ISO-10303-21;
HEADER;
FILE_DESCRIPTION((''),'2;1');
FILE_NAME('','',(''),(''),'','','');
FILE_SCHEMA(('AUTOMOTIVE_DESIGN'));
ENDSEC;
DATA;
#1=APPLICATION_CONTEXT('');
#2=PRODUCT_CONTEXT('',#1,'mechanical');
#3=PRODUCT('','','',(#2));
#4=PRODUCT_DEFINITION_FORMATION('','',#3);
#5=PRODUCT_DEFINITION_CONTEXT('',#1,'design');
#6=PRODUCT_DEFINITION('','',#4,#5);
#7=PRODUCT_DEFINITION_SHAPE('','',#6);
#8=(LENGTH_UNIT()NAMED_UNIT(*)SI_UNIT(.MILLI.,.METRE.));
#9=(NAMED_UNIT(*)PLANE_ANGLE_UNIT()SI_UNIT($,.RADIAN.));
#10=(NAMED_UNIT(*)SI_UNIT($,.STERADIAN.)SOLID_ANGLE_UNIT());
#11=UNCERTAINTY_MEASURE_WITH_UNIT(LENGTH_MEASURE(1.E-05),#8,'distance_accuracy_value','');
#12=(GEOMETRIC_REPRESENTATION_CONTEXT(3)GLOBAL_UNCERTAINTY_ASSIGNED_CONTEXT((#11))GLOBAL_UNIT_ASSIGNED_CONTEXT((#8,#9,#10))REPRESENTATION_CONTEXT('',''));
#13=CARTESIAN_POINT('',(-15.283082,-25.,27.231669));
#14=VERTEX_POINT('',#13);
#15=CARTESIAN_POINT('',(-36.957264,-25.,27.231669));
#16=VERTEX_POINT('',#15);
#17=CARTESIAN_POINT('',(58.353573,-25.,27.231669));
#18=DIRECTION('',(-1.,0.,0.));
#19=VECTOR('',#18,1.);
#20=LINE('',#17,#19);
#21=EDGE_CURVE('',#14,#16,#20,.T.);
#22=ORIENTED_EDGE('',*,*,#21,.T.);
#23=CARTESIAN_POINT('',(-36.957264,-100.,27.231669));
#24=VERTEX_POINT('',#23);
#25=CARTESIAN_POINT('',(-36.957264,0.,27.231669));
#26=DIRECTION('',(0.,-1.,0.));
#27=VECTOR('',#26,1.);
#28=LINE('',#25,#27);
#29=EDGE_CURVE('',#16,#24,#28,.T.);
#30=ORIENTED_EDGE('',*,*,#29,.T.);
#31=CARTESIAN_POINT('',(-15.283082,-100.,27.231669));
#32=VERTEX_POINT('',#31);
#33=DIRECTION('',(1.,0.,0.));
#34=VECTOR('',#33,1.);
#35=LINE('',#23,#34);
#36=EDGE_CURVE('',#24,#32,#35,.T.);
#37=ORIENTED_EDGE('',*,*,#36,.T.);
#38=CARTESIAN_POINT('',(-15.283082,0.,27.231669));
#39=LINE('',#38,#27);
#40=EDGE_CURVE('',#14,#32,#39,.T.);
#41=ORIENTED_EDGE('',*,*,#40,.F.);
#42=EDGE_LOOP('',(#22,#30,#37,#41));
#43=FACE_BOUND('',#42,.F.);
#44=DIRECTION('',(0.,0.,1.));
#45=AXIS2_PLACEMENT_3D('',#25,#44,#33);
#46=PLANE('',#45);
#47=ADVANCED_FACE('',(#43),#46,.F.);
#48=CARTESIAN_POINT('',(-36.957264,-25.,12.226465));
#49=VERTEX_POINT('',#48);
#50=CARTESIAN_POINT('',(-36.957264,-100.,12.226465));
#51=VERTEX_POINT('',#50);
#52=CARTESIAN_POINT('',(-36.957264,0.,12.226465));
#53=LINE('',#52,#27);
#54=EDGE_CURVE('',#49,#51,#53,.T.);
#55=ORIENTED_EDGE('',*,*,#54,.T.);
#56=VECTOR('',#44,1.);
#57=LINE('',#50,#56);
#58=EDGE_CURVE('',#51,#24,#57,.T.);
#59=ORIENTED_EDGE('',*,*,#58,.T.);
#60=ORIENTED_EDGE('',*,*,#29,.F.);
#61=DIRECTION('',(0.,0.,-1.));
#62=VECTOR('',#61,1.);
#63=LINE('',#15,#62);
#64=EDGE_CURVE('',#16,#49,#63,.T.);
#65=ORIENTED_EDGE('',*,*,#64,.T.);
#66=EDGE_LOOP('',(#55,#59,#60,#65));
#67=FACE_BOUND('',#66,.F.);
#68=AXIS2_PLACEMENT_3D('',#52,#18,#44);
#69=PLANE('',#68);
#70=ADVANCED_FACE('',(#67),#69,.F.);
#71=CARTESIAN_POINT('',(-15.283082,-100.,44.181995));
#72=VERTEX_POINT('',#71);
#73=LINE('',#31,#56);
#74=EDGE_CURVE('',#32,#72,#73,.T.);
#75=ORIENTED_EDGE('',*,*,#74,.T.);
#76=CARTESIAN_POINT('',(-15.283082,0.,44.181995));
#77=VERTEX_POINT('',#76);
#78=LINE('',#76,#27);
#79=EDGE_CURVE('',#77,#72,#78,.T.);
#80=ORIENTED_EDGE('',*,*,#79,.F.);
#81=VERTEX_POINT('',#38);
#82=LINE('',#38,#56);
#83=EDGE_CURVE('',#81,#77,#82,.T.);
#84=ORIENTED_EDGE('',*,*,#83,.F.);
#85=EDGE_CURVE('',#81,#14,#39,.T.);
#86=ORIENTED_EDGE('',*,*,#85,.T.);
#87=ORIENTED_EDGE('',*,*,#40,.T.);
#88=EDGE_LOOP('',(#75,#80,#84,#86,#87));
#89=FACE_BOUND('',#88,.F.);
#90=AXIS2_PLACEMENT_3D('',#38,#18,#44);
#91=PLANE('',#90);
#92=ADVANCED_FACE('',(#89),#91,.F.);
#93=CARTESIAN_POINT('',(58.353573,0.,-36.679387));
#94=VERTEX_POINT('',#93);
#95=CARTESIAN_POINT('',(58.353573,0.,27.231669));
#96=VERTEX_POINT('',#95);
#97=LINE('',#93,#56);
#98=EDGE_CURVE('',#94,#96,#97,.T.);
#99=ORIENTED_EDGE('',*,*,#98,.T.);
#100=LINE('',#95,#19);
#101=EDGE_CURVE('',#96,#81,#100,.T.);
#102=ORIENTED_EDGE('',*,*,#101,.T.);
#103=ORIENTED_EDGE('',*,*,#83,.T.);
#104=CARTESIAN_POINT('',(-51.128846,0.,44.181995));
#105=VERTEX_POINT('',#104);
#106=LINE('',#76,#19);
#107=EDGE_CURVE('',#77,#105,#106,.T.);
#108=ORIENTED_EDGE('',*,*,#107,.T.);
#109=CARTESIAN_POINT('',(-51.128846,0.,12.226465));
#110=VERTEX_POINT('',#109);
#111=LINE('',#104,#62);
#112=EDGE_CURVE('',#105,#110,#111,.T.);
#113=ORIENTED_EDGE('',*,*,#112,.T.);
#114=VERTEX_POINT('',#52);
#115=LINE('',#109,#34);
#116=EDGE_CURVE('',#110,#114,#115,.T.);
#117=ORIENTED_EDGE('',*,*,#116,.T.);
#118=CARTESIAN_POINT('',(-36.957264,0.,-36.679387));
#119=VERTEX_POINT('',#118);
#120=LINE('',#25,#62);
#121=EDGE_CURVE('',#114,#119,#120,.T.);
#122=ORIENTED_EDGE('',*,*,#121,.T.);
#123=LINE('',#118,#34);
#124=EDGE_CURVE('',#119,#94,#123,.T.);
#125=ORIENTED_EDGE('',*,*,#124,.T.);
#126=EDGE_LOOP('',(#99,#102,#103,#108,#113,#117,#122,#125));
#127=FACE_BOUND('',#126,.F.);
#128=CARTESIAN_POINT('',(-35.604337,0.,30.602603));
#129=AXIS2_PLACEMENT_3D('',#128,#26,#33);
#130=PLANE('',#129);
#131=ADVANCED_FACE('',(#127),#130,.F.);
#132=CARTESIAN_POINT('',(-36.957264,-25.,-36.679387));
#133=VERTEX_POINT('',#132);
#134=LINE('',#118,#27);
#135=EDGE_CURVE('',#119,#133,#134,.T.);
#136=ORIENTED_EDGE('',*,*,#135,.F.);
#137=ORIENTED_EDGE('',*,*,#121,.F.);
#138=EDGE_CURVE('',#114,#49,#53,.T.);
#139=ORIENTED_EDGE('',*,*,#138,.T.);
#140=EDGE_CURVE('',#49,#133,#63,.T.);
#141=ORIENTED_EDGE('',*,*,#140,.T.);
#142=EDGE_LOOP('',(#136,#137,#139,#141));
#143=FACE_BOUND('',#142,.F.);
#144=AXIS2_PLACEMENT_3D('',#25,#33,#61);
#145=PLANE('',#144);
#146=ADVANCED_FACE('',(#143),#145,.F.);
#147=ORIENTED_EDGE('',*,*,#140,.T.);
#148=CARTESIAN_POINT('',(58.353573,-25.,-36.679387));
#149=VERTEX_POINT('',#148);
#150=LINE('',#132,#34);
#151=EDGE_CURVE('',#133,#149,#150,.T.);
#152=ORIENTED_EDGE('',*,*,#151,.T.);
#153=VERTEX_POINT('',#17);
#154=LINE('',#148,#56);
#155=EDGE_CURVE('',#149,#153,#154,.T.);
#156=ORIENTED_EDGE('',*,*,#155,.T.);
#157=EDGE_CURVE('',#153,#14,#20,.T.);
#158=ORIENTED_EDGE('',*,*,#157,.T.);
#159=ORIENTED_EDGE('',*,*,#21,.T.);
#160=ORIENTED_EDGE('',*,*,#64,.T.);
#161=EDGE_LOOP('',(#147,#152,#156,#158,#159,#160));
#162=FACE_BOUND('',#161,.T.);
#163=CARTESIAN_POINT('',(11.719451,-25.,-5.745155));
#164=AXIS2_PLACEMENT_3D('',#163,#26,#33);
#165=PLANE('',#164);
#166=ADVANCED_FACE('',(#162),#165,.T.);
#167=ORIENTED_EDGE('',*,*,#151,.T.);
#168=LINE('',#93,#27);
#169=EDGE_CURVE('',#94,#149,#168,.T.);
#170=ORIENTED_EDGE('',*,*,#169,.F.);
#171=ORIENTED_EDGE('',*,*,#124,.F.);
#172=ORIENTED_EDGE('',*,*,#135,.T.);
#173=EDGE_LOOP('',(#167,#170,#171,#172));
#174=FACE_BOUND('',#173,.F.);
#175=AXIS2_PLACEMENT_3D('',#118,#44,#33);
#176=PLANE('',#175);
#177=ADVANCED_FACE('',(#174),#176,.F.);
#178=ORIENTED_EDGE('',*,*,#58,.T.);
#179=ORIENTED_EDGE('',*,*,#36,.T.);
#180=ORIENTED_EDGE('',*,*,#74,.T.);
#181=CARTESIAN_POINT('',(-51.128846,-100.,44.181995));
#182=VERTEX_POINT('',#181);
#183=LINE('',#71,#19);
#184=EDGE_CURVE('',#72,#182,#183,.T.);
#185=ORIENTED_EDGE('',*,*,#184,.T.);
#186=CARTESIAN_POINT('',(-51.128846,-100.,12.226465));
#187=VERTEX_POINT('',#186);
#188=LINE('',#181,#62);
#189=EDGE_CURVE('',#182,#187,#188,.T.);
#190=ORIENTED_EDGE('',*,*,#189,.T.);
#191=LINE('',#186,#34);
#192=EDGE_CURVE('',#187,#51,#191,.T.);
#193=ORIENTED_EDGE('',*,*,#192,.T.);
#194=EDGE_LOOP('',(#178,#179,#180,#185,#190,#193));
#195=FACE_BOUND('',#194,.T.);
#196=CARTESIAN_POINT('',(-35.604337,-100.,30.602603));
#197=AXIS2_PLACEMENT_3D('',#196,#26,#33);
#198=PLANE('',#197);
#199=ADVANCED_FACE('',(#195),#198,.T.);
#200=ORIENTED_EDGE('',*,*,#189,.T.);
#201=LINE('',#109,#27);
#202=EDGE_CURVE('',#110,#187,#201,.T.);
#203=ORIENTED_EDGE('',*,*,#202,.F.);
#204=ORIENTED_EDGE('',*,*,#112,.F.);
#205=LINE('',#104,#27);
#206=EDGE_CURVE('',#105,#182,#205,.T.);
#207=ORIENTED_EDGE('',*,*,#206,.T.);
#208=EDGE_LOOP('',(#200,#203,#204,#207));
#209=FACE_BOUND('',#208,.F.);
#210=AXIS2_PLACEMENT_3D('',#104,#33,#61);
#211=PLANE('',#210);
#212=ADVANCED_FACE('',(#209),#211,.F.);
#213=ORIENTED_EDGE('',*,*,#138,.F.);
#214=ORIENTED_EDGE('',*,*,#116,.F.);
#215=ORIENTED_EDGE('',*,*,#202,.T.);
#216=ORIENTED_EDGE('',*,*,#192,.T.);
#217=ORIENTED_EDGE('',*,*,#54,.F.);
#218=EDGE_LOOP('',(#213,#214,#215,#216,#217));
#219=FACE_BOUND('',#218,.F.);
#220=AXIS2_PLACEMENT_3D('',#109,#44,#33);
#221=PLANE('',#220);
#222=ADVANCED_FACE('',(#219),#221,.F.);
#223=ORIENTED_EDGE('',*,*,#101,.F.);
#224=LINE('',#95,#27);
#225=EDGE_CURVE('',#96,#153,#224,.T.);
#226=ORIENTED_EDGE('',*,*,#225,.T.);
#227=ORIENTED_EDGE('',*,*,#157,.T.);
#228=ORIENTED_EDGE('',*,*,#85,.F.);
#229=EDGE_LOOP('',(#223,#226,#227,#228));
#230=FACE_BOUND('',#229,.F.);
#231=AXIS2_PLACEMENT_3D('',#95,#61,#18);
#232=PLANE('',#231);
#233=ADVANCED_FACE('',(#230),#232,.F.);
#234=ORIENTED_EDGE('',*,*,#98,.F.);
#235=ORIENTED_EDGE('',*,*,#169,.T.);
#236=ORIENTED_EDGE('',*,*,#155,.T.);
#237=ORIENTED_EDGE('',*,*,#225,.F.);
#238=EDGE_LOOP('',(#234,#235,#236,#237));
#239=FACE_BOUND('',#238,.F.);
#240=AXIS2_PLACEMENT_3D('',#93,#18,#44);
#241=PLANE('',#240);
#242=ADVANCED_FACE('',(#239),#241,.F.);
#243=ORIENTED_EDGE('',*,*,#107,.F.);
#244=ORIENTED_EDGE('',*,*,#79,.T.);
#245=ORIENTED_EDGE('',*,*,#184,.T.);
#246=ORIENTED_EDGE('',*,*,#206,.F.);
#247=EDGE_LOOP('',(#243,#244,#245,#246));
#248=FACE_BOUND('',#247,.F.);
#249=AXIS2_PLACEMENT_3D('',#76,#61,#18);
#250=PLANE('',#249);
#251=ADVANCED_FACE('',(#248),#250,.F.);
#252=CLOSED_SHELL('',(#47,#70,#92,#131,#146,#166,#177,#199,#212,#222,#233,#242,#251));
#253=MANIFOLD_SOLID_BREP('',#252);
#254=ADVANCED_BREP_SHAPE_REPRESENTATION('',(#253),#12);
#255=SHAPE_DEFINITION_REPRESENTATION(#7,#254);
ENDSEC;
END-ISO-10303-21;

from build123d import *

# Parameters (mm, degrees)
F0_W     = 21.674182
F0_H     = 15.005204
F1_DEPTH = 25
F2_DEPTH = 100


with BuildPart() as f1:
    # F0 (on Front) → F1 (new body)
    with BuildSketch(Plane.XZ):
        Polygon((58.353573, 27.231669), (-15.283082, 27.231669), (-15.283082, 12.226465), (-36.957264, 12.226465), (-36.957264, -36.679387), (58.353573, -36.679387), align=None)
        with Locations((-26.120173, 19.729067)):
            Rectangle(F0_W, F0_H)
    extrude(amount=F1_DEPTH)

    # F0 (on Front) → F2 (join)
    with BuildSketch(Plane.XZ):
        Polygon((-36.957264, 12.226465), (-36.957264, 27.231669), (-15.283082, 27.231669), (-15.283082, 44.181995), (-51.128846, 44.181995), (-51.128846, 12.226465), align=None)
    extrude(amount=F2_DEPTH)


solid = f1.part
